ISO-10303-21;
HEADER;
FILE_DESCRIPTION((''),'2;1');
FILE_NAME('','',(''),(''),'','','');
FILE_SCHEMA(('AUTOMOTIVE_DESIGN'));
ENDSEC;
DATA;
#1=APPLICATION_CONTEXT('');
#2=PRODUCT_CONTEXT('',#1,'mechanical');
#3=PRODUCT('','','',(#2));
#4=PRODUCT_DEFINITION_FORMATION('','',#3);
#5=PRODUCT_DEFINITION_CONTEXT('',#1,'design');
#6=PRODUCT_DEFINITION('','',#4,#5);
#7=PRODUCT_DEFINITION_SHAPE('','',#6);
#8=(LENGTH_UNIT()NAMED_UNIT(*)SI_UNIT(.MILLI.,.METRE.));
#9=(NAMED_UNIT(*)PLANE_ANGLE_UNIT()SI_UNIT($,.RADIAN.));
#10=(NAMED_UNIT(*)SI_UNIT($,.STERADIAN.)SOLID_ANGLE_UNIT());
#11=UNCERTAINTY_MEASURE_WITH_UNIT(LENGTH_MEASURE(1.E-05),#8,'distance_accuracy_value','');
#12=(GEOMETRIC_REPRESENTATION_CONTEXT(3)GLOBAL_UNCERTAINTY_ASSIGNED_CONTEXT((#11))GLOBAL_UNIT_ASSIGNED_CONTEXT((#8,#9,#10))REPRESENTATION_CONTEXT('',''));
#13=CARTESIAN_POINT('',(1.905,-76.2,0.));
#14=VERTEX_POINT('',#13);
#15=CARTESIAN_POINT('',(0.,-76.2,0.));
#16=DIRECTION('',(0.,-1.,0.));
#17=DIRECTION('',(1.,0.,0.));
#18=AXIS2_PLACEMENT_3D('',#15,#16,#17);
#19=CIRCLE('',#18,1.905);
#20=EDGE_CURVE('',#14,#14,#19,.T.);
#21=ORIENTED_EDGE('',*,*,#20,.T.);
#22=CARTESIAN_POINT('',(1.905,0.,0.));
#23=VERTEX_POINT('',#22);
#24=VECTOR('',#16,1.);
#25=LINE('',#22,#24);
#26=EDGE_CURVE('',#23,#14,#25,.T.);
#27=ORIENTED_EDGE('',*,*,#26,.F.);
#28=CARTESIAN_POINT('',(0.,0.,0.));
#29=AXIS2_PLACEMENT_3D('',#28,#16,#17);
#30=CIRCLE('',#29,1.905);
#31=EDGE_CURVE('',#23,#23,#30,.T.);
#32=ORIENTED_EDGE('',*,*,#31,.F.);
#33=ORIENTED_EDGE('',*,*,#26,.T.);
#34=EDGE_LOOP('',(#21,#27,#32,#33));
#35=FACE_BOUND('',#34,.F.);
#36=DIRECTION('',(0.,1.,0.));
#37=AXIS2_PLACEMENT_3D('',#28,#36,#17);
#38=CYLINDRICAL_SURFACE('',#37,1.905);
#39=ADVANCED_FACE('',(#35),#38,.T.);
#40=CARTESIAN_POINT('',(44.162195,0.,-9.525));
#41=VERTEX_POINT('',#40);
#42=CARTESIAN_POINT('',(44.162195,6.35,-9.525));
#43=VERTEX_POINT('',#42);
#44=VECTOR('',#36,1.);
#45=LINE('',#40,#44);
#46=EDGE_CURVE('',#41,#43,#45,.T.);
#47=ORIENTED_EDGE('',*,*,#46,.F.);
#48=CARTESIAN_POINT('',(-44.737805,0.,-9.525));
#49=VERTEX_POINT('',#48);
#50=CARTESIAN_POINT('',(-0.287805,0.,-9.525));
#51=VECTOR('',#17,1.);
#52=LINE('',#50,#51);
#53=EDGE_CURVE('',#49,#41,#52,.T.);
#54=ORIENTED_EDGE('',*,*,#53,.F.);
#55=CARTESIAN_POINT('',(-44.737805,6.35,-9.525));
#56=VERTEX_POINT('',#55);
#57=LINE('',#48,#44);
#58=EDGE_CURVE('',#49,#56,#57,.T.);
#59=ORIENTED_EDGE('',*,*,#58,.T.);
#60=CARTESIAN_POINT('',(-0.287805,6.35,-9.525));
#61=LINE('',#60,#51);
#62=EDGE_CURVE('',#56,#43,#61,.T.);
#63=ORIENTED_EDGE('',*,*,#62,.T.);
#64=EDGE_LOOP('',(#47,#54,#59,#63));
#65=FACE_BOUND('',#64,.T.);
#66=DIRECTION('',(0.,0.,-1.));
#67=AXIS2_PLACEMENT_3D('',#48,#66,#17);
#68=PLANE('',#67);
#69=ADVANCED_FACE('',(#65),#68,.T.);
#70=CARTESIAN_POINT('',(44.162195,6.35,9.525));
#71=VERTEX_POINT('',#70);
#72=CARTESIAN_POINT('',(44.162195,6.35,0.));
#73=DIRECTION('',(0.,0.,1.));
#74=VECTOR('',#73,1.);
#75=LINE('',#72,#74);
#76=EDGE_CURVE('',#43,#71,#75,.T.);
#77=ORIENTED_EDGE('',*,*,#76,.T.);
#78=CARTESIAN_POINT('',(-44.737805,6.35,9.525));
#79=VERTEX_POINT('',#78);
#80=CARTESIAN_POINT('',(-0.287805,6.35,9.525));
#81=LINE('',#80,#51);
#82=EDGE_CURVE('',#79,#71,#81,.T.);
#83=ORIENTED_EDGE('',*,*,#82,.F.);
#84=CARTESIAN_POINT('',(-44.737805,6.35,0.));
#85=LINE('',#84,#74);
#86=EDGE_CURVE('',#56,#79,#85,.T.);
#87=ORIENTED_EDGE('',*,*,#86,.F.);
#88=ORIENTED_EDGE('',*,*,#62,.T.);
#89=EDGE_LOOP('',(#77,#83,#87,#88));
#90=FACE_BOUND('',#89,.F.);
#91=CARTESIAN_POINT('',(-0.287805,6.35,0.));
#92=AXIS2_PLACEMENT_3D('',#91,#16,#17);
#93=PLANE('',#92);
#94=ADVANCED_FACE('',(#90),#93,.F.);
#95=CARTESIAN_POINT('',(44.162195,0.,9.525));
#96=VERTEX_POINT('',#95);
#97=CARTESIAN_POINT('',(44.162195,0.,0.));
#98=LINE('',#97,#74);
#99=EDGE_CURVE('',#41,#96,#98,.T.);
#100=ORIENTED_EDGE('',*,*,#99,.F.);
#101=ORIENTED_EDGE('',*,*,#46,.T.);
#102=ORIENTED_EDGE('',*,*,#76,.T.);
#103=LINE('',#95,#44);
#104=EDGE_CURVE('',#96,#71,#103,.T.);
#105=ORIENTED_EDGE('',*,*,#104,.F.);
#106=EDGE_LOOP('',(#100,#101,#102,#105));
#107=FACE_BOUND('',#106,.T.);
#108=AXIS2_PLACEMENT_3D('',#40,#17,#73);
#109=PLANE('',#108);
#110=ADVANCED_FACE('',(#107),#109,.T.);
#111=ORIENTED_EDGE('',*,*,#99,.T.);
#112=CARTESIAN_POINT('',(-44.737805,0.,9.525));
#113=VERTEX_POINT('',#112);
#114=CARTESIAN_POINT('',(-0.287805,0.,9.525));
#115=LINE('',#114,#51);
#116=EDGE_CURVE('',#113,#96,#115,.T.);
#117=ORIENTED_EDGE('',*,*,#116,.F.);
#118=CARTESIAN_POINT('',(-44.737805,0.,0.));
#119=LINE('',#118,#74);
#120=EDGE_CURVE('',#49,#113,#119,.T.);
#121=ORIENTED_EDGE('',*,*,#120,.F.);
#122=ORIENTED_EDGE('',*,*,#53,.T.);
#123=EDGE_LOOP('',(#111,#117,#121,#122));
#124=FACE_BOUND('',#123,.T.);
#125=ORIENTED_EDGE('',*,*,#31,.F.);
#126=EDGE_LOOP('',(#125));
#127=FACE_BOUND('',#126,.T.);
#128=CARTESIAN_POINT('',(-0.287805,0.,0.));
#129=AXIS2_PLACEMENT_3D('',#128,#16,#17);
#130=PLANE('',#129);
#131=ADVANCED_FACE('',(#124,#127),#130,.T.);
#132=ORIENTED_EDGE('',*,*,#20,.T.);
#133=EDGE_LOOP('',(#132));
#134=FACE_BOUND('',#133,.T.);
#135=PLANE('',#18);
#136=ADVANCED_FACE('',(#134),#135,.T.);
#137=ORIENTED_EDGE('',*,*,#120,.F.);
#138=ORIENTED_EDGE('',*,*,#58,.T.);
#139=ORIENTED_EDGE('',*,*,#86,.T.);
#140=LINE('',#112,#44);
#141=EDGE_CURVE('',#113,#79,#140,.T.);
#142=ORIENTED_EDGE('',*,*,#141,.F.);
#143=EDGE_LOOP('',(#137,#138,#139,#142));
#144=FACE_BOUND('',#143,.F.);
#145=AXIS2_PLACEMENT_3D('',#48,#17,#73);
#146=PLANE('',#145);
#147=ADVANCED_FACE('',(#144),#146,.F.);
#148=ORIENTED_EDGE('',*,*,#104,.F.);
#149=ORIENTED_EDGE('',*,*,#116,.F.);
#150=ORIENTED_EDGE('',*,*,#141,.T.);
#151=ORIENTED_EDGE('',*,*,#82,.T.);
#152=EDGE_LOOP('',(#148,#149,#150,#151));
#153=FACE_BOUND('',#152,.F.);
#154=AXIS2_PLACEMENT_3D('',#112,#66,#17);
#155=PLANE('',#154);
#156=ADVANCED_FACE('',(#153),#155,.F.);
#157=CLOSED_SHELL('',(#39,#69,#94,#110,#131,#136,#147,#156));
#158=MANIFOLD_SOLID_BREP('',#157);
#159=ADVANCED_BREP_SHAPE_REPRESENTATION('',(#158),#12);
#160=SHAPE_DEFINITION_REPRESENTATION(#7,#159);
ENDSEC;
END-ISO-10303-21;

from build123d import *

# Parameters (mm, degrees)
F0_R     = 1.905
F1_DEPTH = 76.2
F2_W     = 88.9
F2_H     = 19.05
F3_DEPTH = 6.35


with BuildPart() as f1:
    # F0 (on Front) → F1 (new body)
    with BuildSketch(Plane.XZ):
        Circle(F0_R)
    extrude(amount=F1_DEPTH)

    # F2 (on Front) → F3 (join)
    with BuildSketch(Plane.XZ):
        with Locations((-0.287805, 0)):
            Rectangle(F2_W, F2_H)
    extrude(amount=-F3_DEPTH)


solid = f1.part
